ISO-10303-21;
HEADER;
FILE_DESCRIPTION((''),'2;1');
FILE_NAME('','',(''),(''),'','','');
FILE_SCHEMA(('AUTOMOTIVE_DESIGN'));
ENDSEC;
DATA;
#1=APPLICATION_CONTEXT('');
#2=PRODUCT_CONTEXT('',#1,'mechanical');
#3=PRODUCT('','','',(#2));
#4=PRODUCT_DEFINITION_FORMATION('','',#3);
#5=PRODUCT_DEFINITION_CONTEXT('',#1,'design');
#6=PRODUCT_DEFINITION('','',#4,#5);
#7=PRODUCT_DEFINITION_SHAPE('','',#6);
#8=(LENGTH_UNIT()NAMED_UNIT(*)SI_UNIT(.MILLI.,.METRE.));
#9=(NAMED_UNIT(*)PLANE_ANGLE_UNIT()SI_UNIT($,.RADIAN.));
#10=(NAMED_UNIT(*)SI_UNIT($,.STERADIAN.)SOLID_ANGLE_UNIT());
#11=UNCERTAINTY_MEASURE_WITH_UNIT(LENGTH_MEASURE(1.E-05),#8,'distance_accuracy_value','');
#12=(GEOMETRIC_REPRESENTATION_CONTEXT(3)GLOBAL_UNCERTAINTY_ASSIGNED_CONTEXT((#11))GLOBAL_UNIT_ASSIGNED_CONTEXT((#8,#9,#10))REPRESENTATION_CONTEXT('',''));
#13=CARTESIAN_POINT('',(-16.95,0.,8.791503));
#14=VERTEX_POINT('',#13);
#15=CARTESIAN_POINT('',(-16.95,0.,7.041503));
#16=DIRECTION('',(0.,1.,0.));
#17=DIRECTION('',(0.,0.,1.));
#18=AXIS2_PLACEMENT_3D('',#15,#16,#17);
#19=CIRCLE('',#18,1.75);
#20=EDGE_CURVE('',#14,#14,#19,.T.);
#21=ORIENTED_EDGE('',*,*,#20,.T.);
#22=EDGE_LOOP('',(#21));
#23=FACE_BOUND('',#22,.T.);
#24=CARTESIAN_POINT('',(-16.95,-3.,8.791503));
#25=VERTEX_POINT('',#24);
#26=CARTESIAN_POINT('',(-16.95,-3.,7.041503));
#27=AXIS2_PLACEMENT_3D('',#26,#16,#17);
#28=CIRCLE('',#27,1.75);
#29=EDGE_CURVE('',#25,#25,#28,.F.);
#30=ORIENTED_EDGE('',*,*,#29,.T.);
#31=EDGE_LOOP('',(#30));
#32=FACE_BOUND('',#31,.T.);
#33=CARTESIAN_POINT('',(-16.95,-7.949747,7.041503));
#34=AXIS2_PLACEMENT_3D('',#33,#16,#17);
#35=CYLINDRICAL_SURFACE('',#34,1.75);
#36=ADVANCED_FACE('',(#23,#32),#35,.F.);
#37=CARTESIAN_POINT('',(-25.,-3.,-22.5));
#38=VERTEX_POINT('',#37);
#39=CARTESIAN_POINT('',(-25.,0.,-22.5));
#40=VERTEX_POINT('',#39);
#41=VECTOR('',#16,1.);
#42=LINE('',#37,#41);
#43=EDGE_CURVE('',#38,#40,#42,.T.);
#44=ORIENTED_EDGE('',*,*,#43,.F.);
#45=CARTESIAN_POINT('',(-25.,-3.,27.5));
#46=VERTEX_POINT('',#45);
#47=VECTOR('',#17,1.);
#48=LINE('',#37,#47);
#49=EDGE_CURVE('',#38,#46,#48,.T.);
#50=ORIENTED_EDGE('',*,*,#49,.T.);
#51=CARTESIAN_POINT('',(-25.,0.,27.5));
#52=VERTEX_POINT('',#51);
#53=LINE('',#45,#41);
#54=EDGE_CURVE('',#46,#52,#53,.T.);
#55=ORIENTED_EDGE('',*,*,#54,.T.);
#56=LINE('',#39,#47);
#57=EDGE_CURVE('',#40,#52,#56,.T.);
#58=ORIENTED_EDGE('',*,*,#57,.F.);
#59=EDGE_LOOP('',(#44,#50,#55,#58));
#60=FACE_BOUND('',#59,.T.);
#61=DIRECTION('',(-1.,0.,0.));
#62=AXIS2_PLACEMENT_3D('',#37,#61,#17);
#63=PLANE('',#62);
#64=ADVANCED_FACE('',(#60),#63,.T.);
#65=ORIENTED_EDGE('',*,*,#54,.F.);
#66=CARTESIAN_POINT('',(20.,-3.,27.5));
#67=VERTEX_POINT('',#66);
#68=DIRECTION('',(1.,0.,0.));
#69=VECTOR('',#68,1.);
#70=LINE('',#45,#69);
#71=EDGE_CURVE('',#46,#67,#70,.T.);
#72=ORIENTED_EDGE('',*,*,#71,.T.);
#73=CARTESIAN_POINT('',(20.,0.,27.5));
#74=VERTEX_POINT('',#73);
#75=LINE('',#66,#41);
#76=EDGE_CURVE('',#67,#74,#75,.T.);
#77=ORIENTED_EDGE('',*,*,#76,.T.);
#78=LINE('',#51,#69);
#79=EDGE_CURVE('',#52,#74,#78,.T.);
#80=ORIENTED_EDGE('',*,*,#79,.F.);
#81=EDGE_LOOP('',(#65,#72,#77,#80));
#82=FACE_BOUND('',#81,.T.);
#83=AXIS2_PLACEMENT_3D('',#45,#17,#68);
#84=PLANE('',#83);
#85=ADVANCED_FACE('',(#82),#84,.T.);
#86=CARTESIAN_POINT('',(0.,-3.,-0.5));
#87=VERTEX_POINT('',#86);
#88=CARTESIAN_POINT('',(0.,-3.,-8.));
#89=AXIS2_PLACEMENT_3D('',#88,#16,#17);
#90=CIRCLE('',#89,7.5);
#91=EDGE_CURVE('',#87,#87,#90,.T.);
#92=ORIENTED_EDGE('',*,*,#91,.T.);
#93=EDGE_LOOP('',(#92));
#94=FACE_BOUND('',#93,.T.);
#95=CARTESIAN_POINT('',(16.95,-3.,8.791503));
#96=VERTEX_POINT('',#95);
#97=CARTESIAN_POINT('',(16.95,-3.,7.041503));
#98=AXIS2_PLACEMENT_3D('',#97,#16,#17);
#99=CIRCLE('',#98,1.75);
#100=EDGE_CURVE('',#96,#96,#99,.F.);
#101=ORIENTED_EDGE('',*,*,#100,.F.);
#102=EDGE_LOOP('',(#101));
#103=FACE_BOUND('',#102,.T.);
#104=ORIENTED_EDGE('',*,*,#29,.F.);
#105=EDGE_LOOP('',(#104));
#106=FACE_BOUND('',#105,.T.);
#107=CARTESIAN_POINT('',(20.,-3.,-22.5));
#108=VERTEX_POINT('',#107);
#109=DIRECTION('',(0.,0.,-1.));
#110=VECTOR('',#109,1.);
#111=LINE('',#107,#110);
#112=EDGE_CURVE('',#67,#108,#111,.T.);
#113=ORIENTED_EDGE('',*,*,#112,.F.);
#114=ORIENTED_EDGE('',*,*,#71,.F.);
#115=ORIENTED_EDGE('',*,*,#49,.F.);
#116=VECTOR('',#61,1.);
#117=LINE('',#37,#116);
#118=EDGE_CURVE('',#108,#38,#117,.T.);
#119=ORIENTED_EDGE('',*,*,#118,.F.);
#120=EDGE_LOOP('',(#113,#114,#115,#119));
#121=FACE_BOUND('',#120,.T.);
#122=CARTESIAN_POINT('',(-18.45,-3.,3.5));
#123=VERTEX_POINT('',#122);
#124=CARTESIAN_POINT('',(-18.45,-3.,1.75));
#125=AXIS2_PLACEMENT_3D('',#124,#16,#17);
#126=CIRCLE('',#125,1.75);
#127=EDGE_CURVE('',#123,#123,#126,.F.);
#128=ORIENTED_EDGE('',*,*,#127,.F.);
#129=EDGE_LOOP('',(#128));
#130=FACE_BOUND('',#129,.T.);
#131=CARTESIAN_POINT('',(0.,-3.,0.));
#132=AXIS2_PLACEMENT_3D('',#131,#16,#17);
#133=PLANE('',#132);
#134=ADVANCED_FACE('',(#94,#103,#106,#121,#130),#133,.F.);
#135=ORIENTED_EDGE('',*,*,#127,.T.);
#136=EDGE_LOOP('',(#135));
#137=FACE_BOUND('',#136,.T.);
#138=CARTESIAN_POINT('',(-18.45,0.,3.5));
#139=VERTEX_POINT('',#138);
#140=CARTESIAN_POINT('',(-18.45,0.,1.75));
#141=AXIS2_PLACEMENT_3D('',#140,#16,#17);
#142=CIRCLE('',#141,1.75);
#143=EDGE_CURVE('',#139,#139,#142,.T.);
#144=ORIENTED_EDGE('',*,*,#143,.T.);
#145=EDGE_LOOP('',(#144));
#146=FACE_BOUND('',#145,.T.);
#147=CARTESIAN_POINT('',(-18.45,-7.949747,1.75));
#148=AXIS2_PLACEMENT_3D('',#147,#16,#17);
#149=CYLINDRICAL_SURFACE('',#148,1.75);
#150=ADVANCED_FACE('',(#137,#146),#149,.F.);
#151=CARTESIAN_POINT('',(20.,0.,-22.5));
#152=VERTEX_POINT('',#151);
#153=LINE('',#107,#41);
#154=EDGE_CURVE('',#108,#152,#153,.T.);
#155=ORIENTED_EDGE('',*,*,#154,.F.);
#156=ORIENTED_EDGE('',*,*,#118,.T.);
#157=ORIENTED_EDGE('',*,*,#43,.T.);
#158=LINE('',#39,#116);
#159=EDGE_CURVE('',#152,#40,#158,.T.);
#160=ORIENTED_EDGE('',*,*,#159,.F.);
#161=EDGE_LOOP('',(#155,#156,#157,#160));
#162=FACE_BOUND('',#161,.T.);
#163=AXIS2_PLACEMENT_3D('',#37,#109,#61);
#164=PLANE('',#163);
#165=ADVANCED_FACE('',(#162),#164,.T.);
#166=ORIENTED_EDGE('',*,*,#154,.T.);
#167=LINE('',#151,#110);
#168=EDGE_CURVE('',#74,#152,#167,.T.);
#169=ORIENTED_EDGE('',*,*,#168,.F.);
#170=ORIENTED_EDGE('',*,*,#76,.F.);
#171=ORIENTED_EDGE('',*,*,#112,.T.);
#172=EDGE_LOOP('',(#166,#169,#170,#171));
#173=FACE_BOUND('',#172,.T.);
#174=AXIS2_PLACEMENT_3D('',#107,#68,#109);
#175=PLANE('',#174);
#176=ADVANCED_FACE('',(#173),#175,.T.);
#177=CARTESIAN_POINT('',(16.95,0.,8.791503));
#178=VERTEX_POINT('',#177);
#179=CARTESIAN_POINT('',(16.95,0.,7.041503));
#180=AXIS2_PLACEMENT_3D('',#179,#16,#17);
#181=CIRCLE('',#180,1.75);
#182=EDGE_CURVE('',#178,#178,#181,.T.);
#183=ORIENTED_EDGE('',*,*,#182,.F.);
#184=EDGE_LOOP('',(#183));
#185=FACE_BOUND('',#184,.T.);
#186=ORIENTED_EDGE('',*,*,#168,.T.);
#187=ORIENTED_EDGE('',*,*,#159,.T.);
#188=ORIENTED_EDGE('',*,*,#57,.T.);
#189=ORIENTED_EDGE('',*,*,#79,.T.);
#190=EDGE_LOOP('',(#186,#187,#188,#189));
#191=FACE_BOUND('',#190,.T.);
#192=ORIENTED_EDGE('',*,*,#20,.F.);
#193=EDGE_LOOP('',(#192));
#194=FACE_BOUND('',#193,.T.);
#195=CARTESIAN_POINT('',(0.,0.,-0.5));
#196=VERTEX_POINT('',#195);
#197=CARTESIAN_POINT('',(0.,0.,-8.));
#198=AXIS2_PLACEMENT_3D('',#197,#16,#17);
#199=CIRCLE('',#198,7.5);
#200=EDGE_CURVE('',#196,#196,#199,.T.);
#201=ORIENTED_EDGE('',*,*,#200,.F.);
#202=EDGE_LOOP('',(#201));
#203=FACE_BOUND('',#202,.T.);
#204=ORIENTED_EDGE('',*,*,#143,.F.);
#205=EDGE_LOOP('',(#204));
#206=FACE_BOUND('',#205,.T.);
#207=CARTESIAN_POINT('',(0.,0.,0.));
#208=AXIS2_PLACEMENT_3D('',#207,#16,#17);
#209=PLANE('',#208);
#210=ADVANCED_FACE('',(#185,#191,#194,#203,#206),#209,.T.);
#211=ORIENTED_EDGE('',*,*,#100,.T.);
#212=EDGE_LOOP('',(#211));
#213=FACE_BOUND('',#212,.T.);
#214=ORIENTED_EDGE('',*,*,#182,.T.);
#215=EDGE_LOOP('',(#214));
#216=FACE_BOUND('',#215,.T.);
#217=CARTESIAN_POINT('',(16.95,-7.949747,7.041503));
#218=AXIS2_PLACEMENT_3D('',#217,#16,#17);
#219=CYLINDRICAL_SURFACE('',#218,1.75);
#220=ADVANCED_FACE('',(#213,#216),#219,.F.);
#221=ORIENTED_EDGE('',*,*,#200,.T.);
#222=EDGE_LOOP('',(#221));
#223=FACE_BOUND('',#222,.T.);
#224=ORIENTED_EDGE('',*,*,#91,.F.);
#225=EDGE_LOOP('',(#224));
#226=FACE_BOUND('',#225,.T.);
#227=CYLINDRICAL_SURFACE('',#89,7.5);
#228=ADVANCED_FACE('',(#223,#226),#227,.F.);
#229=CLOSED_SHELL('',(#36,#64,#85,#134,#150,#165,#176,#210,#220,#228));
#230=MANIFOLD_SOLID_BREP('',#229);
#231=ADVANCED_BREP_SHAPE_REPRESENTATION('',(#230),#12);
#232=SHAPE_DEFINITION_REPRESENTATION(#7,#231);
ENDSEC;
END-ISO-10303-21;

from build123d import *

# Parameters (mm, degrees)
SKETCH2_W           = 45
SKETCH2_H           = 50
SKETCH2_R           = 7.5
BOSS_EXTRUDE1_DEPTH = 3
SKETCH1_R           = 1.75
CUT_EXTRUDE1_DEPTH  = 3


with BuildPart() as part:
    # Sketch2 → Boss-Extrude1 (new body)
    with BuildSketch(Plane(origin=(0, 0, 0), x_dir=(1, 0, 0), z_dir=(0, 1, 0))):
        with Locations((-2.5, -2.5)):
            Rectangle(SKETCH2_W, SKETCH2_H)
        with Locations(Location((0, 8, 0), (0, 0, 270))):
            Circle(SKETCH2_R, mode=Mode.SUBTRACT)
    extrude(amount=-BOSS_EXTRUDE1_DEPTH)

    # Sketch1 → Cut-Extrude1 (cut)
    with BuildSketch(Plane(origin=(0, 0, 0), x_dir=(1, 0, 0), z_dir=(0, 1, 0))):
        with Locations(Location((-18.45, -1.75, 0), (0, 0, 270))):
            Circle(SKETCH1_R)
        with Locations(Location((16.95, -7.041502622, 0), (0, 0, 270))):
            Circle(SKETCH1_R)
        with Locations(Location((-16.95, -7.041502622, 0), (0, 0, 270))):
            Circle(SKETCH1_R)
    extrude(amount=-CUT_EXTRUDE1_DEPTH, mode=Mode.SUBTRACT)


solid = part.part
